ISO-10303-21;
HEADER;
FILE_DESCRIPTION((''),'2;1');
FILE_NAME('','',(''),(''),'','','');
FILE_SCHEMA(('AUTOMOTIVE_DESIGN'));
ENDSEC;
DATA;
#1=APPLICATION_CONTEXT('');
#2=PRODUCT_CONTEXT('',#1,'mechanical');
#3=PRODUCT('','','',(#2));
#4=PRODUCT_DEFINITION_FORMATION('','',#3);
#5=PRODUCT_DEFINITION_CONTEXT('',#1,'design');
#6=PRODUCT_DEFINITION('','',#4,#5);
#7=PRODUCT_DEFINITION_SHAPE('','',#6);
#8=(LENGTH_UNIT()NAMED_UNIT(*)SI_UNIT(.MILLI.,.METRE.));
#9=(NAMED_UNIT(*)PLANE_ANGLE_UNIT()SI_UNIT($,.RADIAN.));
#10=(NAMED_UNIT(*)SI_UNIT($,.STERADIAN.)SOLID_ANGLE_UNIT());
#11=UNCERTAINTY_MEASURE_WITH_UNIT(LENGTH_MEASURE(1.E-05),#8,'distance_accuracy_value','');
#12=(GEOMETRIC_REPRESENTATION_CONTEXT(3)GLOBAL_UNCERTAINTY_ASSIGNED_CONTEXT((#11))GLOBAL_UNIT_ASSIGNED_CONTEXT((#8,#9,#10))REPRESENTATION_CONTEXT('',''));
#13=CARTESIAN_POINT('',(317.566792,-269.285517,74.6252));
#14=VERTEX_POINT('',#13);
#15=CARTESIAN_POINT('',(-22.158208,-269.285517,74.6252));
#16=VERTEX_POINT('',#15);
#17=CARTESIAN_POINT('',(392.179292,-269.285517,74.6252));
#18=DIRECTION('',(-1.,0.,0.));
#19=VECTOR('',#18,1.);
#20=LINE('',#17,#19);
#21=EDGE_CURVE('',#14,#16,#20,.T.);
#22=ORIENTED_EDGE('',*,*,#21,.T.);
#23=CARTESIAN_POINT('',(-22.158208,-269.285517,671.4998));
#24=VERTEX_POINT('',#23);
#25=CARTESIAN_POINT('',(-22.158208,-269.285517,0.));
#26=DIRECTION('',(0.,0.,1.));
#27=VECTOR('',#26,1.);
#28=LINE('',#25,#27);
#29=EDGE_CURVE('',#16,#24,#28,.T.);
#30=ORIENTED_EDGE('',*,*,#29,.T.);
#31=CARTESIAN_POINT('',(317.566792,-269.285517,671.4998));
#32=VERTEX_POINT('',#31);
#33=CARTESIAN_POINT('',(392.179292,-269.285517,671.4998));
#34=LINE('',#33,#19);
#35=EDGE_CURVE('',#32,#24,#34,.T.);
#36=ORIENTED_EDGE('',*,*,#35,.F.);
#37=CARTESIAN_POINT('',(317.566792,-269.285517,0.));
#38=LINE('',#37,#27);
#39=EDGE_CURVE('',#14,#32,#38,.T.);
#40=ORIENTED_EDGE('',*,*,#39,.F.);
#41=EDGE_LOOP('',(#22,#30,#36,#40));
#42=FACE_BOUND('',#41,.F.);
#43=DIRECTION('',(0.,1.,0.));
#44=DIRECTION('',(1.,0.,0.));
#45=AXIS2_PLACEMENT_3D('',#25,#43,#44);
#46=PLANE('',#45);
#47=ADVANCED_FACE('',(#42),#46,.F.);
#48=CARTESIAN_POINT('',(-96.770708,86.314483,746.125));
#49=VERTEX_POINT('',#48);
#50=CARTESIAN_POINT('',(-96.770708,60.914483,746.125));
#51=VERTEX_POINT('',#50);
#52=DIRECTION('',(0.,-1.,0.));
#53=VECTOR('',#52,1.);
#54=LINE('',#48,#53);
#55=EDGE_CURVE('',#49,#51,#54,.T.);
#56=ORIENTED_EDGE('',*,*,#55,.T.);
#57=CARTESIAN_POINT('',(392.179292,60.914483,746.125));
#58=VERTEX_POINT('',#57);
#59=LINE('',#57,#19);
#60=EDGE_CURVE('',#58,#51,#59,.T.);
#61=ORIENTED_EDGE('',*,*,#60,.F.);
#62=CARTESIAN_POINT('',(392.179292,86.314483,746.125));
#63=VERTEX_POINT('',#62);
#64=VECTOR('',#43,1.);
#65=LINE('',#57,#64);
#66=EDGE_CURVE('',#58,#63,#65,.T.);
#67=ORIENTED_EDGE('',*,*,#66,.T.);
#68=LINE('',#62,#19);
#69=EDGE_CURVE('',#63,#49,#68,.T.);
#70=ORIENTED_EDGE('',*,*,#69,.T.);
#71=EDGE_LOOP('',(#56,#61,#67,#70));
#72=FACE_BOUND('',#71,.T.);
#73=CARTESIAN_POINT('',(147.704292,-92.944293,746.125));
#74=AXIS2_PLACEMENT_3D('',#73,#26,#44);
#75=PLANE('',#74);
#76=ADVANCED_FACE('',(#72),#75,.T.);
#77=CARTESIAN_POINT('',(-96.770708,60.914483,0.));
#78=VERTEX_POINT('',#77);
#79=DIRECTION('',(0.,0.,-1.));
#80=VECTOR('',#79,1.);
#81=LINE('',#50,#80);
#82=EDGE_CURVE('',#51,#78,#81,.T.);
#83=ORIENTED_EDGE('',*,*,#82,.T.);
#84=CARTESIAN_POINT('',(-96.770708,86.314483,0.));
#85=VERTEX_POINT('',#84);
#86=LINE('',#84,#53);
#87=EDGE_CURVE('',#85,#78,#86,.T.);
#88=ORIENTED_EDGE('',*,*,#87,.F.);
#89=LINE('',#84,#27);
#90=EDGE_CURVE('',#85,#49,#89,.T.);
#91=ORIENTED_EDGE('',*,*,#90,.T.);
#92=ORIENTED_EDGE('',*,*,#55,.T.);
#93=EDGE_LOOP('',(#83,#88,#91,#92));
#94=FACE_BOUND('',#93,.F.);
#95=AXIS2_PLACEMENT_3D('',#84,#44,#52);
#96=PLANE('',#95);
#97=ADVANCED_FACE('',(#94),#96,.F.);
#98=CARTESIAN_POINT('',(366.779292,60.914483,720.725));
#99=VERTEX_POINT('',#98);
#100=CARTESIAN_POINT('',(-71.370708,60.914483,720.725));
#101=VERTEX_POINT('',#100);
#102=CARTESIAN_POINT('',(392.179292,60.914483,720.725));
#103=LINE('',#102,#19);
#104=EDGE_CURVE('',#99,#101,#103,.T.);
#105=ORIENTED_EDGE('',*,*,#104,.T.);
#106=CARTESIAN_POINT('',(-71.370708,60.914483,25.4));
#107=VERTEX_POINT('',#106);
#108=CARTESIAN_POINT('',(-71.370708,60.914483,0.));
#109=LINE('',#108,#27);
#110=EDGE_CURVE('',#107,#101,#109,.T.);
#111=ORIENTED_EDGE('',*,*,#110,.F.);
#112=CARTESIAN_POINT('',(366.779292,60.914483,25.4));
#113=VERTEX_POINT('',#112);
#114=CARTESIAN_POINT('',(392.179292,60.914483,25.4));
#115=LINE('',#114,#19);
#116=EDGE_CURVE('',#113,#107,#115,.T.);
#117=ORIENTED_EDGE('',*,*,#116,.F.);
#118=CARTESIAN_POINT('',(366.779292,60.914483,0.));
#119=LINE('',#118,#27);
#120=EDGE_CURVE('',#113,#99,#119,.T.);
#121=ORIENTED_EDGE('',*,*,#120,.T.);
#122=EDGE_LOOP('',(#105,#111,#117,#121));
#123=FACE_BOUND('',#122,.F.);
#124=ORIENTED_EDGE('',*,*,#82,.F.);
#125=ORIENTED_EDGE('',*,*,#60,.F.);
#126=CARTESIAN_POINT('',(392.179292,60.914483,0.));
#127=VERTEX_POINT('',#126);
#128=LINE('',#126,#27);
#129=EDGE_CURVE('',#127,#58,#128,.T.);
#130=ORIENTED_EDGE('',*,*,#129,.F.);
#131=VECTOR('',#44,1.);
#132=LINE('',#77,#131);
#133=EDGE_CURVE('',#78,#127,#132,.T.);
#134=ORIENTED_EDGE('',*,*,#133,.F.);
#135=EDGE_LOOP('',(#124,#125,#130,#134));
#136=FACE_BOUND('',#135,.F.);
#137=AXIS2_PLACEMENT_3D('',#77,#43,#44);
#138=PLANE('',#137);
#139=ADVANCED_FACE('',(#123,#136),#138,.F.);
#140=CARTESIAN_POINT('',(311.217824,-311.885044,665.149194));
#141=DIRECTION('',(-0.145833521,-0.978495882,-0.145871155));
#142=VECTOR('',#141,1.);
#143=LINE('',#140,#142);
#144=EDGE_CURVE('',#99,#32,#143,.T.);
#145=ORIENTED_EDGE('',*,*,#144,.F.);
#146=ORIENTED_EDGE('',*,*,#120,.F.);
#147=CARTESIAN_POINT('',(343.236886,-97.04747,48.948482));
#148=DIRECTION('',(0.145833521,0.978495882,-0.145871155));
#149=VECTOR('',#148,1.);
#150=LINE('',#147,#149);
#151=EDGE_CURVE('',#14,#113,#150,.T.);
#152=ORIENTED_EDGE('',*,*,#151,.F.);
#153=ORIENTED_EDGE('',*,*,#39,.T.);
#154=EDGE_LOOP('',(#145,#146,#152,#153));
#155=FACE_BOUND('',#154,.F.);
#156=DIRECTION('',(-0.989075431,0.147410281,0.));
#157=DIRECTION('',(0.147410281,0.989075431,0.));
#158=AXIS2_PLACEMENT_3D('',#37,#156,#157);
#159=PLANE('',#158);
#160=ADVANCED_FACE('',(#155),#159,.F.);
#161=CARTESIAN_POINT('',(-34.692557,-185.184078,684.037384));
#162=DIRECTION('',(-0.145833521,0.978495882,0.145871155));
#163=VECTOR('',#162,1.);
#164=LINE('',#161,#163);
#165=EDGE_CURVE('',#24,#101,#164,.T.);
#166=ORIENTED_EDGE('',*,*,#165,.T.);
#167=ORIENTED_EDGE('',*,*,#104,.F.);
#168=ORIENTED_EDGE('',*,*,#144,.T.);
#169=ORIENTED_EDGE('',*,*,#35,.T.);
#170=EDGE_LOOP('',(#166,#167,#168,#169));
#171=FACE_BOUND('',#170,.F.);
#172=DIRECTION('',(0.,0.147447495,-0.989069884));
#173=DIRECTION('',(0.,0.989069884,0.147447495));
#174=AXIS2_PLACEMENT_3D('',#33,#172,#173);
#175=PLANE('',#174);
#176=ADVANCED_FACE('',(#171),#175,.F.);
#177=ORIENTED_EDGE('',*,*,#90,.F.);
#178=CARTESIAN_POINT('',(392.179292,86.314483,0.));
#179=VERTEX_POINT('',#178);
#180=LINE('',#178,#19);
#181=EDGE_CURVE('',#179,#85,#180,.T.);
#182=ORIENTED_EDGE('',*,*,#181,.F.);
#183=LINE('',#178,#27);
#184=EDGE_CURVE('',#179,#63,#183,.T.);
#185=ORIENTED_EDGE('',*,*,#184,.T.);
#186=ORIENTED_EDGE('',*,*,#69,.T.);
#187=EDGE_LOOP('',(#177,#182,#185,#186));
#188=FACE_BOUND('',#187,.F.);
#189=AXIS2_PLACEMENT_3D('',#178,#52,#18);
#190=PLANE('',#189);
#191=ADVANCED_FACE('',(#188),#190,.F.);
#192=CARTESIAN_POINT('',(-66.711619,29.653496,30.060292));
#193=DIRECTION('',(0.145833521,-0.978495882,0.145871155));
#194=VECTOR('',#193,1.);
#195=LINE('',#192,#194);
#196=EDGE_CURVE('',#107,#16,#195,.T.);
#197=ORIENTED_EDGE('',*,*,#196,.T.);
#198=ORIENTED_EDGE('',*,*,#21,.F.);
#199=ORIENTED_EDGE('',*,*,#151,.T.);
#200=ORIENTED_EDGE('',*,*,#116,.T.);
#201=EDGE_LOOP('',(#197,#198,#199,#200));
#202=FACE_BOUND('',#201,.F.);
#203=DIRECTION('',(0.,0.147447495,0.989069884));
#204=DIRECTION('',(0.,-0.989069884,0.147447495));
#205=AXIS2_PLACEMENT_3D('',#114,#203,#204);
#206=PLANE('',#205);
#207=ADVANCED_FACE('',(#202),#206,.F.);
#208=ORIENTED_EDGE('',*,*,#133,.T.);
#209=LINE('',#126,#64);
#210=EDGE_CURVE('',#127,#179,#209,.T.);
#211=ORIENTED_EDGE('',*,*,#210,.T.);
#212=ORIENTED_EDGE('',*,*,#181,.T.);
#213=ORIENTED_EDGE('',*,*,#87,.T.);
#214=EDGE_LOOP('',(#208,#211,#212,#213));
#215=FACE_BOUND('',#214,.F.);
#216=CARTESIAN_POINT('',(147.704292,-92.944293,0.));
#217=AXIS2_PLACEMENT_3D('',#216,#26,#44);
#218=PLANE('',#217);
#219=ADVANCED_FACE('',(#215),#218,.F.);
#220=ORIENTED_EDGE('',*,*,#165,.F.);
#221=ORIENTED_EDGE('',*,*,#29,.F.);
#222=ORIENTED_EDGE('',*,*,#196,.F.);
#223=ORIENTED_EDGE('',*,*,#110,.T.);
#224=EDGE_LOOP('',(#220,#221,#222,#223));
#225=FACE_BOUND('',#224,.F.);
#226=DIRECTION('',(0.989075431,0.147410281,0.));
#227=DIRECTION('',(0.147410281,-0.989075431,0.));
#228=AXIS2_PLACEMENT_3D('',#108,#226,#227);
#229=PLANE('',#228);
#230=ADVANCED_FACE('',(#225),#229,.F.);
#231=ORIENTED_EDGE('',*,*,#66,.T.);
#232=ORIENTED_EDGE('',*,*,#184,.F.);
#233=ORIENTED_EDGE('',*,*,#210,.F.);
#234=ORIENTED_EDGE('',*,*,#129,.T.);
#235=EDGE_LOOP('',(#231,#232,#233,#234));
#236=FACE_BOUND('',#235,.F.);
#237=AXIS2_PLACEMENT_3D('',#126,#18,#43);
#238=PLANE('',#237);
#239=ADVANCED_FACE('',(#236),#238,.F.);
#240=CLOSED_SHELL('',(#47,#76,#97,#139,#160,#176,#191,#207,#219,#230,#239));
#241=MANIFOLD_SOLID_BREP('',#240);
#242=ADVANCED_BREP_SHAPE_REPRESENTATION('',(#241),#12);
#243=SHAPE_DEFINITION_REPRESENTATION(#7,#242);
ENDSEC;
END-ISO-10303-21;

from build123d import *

# Parameters (mm, degrees)
F1_DEPTH = 746.125
F3_DEPTH = 488.951


with BuildPart() as f1:
    # F0 (on Top) → F1 (new body)
    with BuildSketch(Plane.XY):
        Polygon((366.779292, 60.914483), (-71.370708, 60.914483), (-22.158208, -269.285517), (317.566792, -269.285517), align=None)
        Polygon((-96.770708, 60.914483), (-71.370708, 60.914483), (366.779292, 60.914483), (392.179292, 60.914483), (392.179292, 86.314483), (-96.770708, 86.314483), align=None)
    extrude(amount=F1_DEPTH)

    # F2 (on face) → F3 (cut, through all)
    with BuildSketch(Plane.YZ.offset(392.179292)):
        Polygon((60.914483, 720.725), (60.914483, 746.125), (-269.285517, 746.125), (-269.285517, 671.4998), align=None)
        Polygon((-269.285517, 74.6252), (-269.285517, 0), (60.914483, 0), (60.914483, 25.4), align=None)
    extrude(amount=-F3_DEPTH, mode=Mode.SUBTRACT)


solid = f1.part
